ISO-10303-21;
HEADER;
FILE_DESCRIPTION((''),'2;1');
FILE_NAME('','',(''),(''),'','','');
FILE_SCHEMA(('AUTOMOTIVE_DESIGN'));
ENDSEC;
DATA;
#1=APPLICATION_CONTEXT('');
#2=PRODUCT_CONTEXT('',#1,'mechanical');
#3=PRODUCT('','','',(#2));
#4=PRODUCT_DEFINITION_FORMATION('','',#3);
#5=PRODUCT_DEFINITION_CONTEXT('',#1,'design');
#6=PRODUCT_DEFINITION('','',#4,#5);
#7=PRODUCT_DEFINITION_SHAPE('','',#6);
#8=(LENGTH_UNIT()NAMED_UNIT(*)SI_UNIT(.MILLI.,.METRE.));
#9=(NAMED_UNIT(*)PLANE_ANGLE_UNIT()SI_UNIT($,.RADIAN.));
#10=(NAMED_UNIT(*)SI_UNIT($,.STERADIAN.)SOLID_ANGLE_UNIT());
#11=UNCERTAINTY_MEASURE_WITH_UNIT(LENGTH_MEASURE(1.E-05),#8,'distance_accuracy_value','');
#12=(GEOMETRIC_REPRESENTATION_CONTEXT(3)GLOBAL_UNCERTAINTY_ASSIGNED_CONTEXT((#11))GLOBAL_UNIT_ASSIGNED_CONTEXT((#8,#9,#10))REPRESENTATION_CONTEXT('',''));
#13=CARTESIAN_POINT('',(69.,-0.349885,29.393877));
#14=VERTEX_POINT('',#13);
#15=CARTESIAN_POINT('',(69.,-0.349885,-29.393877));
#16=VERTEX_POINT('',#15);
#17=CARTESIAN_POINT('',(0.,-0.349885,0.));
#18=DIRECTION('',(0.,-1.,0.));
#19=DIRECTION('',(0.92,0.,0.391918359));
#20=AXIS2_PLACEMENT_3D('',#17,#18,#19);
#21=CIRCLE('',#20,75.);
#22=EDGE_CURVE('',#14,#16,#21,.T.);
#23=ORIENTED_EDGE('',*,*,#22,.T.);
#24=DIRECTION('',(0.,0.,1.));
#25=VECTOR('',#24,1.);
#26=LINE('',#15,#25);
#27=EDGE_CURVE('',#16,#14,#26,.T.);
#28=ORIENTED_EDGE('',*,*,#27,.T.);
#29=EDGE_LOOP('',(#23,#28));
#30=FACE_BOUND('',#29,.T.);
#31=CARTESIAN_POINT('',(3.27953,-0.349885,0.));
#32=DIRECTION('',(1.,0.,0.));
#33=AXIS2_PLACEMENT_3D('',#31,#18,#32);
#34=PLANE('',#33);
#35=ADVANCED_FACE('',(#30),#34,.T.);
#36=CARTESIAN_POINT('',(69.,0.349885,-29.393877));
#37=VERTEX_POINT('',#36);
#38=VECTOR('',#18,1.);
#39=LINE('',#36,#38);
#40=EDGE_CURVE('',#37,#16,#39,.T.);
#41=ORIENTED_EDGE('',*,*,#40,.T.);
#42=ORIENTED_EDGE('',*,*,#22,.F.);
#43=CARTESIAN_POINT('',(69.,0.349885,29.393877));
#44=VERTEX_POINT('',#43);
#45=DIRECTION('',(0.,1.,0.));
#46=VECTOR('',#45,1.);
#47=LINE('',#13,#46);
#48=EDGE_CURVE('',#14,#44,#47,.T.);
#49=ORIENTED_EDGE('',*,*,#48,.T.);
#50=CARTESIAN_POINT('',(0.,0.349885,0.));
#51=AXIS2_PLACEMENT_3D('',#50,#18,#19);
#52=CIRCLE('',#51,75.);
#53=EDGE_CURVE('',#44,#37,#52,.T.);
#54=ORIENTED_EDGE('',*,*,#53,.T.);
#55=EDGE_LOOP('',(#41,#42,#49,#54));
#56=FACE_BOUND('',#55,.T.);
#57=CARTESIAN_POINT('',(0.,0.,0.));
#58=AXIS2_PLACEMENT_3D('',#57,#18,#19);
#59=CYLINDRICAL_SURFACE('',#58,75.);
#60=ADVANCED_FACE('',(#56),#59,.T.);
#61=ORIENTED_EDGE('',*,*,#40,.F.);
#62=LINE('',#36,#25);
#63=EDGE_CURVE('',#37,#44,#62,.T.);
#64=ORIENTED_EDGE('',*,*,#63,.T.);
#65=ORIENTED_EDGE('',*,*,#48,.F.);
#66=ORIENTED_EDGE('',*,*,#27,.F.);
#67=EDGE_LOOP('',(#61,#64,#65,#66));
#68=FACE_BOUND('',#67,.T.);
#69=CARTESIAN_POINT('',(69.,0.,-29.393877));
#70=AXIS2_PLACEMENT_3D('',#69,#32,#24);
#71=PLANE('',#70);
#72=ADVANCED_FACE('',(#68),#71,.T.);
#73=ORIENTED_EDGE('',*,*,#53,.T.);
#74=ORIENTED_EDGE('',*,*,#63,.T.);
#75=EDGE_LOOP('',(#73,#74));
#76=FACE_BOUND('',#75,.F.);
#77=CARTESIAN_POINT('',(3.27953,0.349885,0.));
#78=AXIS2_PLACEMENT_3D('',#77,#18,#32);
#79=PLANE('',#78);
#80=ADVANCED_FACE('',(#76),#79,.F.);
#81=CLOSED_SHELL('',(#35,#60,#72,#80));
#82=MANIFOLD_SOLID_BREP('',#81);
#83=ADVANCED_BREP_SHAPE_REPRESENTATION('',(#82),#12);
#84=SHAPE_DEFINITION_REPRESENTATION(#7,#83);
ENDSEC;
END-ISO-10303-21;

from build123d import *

# Parameters (mm, degrees)
F1_DEPTH = 0.349885


with BuildPart() as f1:
    # F0 (on Front) → F1 (new body, symmetric)
    with BuildSketch(Plane.XZ):
        with BuildLine():
            Line((69, 0), (69, 29.3938769134))
            ThreePointArc((69, 29.3938769134), (-75, 0), (69, -29.3938769134))
            Line((69, -29.3938769134), (69, 0))
        make_face()
    extrude(amount=F1_DEPTH, both=True)


solid = f1.part
